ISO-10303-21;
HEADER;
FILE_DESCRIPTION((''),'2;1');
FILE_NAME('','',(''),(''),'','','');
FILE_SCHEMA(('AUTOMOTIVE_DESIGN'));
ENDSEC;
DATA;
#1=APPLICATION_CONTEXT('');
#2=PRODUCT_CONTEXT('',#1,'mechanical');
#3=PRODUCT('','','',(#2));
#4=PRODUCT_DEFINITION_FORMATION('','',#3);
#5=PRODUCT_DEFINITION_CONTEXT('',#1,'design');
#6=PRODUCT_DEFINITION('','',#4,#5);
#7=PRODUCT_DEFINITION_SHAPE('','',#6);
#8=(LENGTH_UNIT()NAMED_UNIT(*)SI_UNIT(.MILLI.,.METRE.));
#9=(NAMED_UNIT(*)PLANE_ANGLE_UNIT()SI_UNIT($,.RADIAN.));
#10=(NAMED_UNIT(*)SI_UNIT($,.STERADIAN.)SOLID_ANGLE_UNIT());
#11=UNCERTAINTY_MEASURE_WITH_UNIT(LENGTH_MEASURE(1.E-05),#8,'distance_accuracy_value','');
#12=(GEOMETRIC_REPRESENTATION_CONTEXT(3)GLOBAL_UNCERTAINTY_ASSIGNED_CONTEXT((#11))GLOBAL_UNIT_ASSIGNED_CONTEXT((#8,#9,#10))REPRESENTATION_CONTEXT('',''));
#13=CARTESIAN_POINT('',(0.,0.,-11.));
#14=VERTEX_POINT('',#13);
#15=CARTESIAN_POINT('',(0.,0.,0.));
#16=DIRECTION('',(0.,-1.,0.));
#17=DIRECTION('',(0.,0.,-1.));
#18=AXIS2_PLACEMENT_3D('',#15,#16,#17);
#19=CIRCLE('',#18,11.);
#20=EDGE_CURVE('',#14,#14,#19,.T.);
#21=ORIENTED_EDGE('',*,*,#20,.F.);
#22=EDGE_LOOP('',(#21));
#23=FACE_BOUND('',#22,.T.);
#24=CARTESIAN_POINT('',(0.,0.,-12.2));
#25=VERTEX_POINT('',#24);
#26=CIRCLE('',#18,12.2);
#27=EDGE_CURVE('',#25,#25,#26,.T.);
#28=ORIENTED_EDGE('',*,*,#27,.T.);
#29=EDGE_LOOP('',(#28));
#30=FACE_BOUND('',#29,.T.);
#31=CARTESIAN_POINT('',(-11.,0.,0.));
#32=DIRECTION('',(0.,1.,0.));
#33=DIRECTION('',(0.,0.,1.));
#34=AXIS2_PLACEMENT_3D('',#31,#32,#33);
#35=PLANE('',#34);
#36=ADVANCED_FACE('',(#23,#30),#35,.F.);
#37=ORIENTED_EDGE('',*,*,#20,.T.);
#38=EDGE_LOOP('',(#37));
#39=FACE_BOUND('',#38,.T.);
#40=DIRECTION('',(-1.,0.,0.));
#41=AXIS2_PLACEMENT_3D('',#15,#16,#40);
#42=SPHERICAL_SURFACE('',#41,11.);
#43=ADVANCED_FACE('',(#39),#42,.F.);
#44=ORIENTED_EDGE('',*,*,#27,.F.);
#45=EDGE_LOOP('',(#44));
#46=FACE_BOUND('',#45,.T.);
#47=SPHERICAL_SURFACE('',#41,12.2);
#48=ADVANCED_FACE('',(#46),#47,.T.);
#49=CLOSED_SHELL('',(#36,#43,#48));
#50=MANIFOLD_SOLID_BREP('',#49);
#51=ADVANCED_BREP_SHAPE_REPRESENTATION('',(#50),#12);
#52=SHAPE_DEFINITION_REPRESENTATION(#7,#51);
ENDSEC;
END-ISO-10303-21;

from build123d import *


with BuildPart() as part:
    # Sketch1 → Revolve2 (revolve)
    with BuildSketch(Plane.XY):
        with BuildLine():
            Line((-11, 0), (-12.2, 0))
            ThreePointArc((-12.2, 0), (-8.62670273, 8.62670273), (0, 12.2))
            Line((0, 12.2), (0, 11))
            ThreePointArc((0, 11), (-7.778174593, 7.778174593), (-11, 0))
        make_face()
    revolve(axis=Axis((0, 0, 0), (0, 1, 0)))


solid = part.part
